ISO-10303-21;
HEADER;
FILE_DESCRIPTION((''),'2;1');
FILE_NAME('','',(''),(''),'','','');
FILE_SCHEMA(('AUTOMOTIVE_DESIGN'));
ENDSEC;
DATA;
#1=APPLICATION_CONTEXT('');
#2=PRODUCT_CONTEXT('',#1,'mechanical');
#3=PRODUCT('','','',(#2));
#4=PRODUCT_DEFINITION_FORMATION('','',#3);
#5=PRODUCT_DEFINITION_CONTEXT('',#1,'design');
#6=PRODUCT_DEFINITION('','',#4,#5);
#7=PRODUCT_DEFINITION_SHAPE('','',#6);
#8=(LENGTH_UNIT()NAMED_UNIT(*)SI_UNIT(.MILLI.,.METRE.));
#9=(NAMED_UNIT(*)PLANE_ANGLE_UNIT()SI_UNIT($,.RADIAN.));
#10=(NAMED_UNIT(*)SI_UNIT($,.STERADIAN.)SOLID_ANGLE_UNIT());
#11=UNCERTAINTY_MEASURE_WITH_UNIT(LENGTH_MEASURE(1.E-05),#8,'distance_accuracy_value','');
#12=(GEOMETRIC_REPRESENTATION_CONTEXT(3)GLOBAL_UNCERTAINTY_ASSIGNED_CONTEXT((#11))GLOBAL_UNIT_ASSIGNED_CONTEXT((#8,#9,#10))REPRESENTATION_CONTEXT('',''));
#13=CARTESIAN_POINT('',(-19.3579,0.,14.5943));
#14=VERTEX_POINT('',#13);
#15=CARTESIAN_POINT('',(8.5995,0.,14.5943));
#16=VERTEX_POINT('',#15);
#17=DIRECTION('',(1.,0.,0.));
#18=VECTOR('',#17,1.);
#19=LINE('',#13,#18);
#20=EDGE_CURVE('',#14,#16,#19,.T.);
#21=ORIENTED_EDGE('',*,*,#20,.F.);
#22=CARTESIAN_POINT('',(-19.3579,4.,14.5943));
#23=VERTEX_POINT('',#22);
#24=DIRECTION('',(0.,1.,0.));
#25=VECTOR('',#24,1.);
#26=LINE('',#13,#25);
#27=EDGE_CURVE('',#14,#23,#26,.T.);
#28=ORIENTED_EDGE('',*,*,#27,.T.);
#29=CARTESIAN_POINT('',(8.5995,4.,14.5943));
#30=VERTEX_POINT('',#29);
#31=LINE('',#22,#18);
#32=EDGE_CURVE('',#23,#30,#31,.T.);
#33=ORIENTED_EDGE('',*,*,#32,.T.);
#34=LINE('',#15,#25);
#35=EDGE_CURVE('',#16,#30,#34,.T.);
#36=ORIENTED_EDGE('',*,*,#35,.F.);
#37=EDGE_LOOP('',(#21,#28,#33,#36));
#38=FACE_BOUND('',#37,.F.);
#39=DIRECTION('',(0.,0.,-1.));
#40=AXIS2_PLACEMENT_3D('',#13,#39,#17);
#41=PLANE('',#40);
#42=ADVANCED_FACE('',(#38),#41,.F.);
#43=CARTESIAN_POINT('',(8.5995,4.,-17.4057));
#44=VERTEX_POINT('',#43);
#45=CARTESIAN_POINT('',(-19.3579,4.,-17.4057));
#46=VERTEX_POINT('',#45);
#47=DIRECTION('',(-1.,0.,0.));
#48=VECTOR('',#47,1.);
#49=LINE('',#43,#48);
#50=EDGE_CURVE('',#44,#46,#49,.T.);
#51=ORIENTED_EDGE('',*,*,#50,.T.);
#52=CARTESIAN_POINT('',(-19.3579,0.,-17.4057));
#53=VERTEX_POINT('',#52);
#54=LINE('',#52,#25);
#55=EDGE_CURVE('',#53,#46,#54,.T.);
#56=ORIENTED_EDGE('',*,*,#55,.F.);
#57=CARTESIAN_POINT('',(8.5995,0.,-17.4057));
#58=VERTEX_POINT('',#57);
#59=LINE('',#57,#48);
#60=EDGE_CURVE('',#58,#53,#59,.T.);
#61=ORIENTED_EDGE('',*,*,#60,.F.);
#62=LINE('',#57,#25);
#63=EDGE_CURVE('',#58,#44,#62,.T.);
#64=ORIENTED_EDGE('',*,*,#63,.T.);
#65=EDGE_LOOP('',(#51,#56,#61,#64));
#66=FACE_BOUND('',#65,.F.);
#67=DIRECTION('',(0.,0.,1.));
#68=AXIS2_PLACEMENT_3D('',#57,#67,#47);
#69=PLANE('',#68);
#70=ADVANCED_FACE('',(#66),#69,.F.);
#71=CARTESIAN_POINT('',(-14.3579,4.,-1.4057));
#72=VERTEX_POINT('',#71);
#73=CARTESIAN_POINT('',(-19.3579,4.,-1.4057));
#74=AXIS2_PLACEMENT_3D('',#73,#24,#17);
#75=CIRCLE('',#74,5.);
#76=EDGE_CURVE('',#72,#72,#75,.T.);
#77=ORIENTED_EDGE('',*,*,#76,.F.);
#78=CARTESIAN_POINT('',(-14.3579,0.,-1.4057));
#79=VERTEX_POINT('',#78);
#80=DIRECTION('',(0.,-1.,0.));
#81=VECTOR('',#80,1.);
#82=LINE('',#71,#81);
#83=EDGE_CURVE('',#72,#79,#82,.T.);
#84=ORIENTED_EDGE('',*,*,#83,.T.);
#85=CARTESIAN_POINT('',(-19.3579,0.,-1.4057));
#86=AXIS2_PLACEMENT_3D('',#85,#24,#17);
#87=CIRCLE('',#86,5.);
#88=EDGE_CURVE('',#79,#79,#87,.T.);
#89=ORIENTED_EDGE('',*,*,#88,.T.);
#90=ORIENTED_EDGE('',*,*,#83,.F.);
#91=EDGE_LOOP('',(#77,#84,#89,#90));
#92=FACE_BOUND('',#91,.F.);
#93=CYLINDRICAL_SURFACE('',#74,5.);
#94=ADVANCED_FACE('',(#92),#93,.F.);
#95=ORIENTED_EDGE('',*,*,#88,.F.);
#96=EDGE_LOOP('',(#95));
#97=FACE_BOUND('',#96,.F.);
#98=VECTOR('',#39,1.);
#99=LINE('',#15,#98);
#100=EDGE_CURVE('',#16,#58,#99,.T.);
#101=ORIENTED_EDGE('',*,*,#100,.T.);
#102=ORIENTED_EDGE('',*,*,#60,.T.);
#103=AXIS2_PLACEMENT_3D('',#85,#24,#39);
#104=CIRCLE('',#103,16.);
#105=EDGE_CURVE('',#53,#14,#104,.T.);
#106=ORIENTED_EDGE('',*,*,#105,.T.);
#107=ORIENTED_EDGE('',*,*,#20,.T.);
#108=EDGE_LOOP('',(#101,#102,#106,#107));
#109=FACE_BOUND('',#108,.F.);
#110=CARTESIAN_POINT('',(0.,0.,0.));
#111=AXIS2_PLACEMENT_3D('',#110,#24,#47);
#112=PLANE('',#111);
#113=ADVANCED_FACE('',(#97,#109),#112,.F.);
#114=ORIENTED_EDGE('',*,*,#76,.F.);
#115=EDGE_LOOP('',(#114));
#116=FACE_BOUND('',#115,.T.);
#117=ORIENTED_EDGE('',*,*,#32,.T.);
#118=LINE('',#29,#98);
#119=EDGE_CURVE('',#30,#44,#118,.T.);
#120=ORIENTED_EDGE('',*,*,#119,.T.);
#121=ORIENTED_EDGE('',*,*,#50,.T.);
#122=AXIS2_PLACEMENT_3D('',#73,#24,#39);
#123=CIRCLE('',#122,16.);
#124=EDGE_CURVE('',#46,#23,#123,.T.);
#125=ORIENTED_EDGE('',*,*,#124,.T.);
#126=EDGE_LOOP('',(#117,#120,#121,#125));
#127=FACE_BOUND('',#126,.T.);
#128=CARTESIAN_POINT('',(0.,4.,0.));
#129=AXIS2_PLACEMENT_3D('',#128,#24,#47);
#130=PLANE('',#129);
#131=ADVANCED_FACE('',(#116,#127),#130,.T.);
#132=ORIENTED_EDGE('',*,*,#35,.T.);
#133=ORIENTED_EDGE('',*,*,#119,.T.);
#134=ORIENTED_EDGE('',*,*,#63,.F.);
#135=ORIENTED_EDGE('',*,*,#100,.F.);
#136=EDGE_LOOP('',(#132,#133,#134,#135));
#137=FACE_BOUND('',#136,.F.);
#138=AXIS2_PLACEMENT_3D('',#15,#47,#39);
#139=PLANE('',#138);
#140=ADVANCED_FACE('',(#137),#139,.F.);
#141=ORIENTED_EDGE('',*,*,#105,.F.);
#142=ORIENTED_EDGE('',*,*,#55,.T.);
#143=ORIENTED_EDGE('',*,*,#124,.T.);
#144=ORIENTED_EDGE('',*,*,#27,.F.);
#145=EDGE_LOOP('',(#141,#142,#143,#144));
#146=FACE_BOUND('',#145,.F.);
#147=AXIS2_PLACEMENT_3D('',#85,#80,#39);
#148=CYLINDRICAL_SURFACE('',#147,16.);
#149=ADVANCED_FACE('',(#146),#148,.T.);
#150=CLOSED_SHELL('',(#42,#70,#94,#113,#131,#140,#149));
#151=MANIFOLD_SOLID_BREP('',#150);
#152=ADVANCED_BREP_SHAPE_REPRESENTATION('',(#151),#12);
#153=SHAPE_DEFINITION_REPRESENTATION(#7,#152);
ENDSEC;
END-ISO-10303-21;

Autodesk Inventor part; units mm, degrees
ref_plane "YZ Plane" through (0, 0, 0) normal (1, 0, 0) x (0, 1, 0)
ref_plane "XZ Plane" through (0, 0, 0) normal (0, 1, 0) x (-1, 0, 0)
ref_plane "XY Plane" through (0, 0, 0) normal (0, 0, 1) x (1, 0, 0)
sketch "Sketch1" plane through (0, 0, 0) normal (0, 1, 0) x (-1, 0, 0)
  line L0 (19.3579, 14.5943) -> (-8.5995, 14.5943)
  line L1 (-8.5995, 14.5943) -> (-8.5995, -17.4057)
  line L2 (-8.5995, -17.4057) -> (19.3579, -17.4057)
  arc A0 (19.3579, -17.4057) -> (19.3579, 14.5943) centre (19.3579, -1.4057) ccw
  point P0 (0, 0)
  dimension "d0" = 32
  dimension "d2" = 32
  dimension "d3" = 16
extrude "Extrusion1" add sketch "Sketch1" along normal blind 4
sketch "Sketch2" plane through (0, 4, 0) normal (0, 1, 0) x (1, 0, 0)
  arc A0 (-19.3579, 17.4057) -> (-19.3579, -14.5943) centre (-19.3579, 1.4057) ccw projected
  circle A1 centre (-19.3579, 1.4057) radius 5
  point P0 (0, 0)
  dimension "d6" = 10
extrude "Extrusion2" cut sketch "Sketch2" against normal blind 4
properties part number "cup holder"
